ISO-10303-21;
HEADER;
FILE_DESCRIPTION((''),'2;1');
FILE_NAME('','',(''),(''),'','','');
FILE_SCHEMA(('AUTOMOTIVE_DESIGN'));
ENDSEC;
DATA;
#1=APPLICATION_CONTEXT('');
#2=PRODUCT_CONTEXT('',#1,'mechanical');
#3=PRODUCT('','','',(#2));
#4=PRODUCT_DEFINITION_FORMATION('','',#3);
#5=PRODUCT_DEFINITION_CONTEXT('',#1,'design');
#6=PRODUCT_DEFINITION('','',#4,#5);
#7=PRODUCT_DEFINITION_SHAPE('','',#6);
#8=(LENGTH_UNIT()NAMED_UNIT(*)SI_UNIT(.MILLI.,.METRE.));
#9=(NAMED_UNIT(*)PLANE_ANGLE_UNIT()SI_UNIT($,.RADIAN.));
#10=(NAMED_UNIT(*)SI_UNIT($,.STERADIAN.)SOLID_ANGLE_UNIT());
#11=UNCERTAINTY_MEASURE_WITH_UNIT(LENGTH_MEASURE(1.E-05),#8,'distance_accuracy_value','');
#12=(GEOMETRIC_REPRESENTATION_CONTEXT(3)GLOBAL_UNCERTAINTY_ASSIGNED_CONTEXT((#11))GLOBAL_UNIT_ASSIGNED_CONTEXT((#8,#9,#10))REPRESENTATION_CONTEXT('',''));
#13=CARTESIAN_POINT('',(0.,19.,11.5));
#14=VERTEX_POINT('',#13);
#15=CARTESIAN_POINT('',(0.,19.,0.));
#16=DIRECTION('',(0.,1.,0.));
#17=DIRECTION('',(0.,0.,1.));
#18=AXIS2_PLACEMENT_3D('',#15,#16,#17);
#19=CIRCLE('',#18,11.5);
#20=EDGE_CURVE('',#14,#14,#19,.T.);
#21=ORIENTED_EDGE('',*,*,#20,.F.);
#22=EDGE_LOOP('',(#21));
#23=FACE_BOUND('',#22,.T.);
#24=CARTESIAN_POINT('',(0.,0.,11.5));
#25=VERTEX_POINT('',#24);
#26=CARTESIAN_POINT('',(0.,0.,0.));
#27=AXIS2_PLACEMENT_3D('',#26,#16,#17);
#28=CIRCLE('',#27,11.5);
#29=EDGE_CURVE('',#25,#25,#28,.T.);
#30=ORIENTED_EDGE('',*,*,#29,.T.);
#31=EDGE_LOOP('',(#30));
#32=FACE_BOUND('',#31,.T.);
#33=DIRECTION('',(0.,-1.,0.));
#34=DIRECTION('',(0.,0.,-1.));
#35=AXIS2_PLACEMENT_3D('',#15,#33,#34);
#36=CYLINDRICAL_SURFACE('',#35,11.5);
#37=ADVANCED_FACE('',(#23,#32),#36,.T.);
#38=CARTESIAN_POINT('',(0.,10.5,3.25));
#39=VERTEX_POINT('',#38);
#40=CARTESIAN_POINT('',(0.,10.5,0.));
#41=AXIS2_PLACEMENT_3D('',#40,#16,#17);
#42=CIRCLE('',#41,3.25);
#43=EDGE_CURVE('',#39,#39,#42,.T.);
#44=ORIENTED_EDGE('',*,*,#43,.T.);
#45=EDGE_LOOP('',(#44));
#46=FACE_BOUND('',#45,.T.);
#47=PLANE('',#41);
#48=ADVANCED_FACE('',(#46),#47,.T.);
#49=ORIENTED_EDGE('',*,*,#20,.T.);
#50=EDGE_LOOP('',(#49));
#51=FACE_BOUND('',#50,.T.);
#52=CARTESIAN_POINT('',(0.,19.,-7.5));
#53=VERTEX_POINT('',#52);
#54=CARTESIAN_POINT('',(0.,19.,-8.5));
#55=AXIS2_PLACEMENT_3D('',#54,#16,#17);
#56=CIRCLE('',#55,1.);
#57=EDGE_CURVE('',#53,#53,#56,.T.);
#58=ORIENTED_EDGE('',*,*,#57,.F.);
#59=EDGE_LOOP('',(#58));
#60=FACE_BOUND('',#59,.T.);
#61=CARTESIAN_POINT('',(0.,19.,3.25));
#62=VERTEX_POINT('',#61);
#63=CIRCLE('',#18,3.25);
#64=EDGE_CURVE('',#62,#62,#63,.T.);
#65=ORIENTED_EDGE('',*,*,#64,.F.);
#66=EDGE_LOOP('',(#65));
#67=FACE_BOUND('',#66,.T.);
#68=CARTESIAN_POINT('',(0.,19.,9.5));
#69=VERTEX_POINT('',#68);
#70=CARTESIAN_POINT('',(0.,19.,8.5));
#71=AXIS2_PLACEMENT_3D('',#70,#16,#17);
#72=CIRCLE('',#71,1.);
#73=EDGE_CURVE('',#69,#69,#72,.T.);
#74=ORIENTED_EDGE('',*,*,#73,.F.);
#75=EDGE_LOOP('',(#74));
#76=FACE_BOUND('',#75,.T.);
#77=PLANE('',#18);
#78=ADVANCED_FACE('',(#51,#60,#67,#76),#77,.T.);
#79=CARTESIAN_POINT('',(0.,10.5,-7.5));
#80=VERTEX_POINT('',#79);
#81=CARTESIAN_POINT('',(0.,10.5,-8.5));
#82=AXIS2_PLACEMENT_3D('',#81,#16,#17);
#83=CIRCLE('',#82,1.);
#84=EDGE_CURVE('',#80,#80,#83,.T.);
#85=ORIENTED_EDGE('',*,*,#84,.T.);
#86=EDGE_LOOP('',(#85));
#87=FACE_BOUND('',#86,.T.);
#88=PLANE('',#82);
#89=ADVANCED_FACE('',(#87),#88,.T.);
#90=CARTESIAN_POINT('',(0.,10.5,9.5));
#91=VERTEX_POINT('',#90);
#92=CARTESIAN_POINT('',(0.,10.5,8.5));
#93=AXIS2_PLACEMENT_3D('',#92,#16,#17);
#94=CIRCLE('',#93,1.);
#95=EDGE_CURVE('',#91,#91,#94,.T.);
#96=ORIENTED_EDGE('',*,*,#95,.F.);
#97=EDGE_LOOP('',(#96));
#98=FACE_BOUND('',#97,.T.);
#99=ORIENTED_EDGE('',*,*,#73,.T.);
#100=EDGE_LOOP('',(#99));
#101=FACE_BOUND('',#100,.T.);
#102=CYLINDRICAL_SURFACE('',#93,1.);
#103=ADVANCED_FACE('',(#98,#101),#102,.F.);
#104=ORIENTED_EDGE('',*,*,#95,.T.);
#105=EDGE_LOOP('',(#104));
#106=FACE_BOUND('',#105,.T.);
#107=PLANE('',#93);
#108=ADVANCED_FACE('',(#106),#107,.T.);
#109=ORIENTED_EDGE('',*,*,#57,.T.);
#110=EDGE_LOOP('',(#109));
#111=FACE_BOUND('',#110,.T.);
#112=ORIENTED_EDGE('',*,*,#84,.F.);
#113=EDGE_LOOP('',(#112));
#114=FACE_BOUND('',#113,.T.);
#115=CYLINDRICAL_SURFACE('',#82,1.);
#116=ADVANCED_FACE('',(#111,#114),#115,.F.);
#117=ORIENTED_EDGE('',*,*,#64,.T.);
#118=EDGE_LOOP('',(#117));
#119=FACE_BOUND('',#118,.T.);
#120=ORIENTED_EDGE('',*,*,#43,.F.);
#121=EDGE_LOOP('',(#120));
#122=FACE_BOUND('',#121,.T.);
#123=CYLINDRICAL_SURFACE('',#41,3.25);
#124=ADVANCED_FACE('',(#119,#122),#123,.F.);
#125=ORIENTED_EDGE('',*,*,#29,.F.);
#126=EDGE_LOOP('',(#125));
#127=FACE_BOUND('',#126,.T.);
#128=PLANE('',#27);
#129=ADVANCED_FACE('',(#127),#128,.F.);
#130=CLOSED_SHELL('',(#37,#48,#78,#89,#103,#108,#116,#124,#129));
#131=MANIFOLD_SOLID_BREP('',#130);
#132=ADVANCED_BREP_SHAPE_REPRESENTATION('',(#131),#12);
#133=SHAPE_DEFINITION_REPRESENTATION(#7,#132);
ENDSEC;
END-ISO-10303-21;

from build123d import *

# Parameters (mm, degrees)
SKETCH1_R           = 11.5
BOSS_EXTRUDE1_DEPTH = 19
SKETCH2_R           = 1
SKETCH2_R_2         = 3.25
CUT_EXTRUDE1_DEPTH  = 8.5


with BuildPart() as part:
    # Sketch1 → Boss-Extrude1 (new body)
    with BuildSketch(Plane(origin=(0, 0, 0), x_dir=(1, 0, 0), z_dir=(0, 1, 0))):
        Circle(SKETCH1_R)
    extrude(amount=BOSS_EXTRUDE1_DEPTH)

    # Sketch2 → Cut-Extrude1 (cut)
    with BuildSketch(Plane(origin=(0, 19, 0), x_dir=(1, 0, 0), z_dir=(0, 1, 0))):
        with Locations((0, 8.5)):
            Circle(SKETCH2_R)
        with Locations((0, -8.5)):
            Circle(SKETCH2_R)
        Circle(SKETCH2_R_2)
    extrude(amount=-CUT_EXTRUDE1_DEPTH, mode=Mode.SUBTRACT)


solid = part.part
